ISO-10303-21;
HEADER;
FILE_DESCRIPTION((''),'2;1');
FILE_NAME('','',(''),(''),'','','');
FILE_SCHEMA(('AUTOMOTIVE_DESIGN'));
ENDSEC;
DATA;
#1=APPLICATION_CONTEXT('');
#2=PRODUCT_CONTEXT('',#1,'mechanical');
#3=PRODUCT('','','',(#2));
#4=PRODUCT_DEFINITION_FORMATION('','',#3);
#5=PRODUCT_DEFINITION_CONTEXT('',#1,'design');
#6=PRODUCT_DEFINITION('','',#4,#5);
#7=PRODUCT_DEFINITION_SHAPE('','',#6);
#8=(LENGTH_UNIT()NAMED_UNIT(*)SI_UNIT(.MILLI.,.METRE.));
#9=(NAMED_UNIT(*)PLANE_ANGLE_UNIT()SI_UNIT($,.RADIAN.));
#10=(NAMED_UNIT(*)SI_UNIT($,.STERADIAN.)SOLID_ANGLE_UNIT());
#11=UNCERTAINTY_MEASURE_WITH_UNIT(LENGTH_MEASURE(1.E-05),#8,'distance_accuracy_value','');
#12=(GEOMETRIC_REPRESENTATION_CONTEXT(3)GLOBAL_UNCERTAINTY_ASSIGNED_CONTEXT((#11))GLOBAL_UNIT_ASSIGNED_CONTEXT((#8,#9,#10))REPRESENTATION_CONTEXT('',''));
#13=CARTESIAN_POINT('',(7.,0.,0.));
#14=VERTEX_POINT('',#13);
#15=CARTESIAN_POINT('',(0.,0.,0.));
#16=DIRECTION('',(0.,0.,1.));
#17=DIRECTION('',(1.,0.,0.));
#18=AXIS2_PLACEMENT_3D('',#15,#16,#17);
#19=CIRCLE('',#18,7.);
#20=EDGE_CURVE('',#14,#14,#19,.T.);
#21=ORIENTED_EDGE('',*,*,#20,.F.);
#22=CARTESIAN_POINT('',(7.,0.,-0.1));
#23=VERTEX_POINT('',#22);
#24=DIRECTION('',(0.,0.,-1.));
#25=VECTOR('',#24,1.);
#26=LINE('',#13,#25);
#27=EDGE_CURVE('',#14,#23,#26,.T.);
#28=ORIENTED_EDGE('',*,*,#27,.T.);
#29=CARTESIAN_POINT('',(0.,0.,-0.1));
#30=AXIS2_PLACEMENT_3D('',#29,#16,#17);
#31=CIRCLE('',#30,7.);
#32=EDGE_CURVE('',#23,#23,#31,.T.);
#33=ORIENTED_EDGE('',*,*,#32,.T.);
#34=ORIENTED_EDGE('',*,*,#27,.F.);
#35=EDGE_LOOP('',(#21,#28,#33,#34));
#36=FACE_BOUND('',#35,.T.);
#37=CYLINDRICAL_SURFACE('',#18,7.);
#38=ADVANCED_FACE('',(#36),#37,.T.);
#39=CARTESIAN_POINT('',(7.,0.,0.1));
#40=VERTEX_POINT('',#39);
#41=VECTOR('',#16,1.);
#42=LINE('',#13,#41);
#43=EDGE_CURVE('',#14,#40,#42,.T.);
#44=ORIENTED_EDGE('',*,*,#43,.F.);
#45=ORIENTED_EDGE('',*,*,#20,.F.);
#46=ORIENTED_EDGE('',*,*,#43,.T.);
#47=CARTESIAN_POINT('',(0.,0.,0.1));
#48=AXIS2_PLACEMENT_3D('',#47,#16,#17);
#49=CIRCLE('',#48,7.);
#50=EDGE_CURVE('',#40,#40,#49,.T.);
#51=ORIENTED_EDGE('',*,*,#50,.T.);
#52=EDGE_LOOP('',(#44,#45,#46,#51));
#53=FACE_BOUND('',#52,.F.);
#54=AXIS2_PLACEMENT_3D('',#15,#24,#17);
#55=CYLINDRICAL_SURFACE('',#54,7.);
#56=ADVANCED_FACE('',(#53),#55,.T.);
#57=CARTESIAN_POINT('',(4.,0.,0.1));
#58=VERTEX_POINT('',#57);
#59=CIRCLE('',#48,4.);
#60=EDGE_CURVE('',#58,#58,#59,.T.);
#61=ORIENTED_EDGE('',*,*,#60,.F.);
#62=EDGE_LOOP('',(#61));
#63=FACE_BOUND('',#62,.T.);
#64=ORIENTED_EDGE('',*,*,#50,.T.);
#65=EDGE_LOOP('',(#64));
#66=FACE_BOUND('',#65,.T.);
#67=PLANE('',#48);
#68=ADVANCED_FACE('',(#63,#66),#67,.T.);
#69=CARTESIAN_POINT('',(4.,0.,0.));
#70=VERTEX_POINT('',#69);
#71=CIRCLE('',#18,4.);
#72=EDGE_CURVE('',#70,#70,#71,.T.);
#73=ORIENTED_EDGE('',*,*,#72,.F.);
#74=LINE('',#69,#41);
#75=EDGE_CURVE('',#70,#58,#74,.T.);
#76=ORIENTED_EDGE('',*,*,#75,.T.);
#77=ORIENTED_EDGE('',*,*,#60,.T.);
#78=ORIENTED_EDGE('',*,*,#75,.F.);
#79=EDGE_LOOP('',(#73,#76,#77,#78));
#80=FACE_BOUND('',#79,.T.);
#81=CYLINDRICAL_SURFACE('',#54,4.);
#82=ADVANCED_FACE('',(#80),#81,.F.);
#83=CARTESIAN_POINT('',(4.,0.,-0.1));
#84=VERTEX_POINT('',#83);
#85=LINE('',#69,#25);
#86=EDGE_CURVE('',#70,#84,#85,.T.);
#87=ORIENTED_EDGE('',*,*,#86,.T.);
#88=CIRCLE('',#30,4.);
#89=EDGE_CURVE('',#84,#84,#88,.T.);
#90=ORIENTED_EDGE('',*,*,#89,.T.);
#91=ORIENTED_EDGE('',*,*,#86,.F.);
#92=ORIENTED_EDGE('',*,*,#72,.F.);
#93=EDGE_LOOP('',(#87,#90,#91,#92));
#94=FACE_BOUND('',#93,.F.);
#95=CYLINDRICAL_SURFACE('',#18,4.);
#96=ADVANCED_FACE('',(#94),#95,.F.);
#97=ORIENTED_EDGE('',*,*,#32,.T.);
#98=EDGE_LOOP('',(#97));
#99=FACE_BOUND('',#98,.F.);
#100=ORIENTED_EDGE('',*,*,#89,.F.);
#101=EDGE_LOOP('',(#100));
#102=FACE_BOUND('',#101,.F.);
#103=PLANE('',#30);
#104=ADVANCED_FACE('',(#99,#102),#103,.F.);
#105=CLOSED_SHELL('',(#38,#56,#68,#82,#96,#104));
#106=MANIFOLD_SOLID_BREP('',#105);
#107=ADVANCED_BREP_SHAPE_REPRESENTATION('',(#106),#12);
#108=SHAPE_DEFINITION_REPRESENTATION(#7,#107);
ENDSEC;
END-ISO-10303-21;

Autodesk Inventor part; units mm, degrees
ref_plane "YZ Plane" through (0, 0, 0) normal (1, 0, 0) x (0, 1, 0)
ref_plane "XZ Plane" through (0, 0, 0) normal (0, 1, 0) x (-1, 0, 0)
ref_plane "XY Plane" through (0, 0, 0) normal (0, 0, 1) x (1, 0, 0)
sketch "Skizze1" plane through (0, 0, 0) normal (0, 0, 1) x (1, 0, 0)
  circle A0 centre (0, 0) radius 4
  circle A1 centre (0, 0) radius 7
  dimension "d0" = 8
  dimension "d1" = 14
extrude "Extrusion1" add sketch "Skizze1" along normal mid plane 0.2
properties part number "DIN-988_d8_D14_t02_V1" material "Stahl, hochfest, niedrig legiert"
